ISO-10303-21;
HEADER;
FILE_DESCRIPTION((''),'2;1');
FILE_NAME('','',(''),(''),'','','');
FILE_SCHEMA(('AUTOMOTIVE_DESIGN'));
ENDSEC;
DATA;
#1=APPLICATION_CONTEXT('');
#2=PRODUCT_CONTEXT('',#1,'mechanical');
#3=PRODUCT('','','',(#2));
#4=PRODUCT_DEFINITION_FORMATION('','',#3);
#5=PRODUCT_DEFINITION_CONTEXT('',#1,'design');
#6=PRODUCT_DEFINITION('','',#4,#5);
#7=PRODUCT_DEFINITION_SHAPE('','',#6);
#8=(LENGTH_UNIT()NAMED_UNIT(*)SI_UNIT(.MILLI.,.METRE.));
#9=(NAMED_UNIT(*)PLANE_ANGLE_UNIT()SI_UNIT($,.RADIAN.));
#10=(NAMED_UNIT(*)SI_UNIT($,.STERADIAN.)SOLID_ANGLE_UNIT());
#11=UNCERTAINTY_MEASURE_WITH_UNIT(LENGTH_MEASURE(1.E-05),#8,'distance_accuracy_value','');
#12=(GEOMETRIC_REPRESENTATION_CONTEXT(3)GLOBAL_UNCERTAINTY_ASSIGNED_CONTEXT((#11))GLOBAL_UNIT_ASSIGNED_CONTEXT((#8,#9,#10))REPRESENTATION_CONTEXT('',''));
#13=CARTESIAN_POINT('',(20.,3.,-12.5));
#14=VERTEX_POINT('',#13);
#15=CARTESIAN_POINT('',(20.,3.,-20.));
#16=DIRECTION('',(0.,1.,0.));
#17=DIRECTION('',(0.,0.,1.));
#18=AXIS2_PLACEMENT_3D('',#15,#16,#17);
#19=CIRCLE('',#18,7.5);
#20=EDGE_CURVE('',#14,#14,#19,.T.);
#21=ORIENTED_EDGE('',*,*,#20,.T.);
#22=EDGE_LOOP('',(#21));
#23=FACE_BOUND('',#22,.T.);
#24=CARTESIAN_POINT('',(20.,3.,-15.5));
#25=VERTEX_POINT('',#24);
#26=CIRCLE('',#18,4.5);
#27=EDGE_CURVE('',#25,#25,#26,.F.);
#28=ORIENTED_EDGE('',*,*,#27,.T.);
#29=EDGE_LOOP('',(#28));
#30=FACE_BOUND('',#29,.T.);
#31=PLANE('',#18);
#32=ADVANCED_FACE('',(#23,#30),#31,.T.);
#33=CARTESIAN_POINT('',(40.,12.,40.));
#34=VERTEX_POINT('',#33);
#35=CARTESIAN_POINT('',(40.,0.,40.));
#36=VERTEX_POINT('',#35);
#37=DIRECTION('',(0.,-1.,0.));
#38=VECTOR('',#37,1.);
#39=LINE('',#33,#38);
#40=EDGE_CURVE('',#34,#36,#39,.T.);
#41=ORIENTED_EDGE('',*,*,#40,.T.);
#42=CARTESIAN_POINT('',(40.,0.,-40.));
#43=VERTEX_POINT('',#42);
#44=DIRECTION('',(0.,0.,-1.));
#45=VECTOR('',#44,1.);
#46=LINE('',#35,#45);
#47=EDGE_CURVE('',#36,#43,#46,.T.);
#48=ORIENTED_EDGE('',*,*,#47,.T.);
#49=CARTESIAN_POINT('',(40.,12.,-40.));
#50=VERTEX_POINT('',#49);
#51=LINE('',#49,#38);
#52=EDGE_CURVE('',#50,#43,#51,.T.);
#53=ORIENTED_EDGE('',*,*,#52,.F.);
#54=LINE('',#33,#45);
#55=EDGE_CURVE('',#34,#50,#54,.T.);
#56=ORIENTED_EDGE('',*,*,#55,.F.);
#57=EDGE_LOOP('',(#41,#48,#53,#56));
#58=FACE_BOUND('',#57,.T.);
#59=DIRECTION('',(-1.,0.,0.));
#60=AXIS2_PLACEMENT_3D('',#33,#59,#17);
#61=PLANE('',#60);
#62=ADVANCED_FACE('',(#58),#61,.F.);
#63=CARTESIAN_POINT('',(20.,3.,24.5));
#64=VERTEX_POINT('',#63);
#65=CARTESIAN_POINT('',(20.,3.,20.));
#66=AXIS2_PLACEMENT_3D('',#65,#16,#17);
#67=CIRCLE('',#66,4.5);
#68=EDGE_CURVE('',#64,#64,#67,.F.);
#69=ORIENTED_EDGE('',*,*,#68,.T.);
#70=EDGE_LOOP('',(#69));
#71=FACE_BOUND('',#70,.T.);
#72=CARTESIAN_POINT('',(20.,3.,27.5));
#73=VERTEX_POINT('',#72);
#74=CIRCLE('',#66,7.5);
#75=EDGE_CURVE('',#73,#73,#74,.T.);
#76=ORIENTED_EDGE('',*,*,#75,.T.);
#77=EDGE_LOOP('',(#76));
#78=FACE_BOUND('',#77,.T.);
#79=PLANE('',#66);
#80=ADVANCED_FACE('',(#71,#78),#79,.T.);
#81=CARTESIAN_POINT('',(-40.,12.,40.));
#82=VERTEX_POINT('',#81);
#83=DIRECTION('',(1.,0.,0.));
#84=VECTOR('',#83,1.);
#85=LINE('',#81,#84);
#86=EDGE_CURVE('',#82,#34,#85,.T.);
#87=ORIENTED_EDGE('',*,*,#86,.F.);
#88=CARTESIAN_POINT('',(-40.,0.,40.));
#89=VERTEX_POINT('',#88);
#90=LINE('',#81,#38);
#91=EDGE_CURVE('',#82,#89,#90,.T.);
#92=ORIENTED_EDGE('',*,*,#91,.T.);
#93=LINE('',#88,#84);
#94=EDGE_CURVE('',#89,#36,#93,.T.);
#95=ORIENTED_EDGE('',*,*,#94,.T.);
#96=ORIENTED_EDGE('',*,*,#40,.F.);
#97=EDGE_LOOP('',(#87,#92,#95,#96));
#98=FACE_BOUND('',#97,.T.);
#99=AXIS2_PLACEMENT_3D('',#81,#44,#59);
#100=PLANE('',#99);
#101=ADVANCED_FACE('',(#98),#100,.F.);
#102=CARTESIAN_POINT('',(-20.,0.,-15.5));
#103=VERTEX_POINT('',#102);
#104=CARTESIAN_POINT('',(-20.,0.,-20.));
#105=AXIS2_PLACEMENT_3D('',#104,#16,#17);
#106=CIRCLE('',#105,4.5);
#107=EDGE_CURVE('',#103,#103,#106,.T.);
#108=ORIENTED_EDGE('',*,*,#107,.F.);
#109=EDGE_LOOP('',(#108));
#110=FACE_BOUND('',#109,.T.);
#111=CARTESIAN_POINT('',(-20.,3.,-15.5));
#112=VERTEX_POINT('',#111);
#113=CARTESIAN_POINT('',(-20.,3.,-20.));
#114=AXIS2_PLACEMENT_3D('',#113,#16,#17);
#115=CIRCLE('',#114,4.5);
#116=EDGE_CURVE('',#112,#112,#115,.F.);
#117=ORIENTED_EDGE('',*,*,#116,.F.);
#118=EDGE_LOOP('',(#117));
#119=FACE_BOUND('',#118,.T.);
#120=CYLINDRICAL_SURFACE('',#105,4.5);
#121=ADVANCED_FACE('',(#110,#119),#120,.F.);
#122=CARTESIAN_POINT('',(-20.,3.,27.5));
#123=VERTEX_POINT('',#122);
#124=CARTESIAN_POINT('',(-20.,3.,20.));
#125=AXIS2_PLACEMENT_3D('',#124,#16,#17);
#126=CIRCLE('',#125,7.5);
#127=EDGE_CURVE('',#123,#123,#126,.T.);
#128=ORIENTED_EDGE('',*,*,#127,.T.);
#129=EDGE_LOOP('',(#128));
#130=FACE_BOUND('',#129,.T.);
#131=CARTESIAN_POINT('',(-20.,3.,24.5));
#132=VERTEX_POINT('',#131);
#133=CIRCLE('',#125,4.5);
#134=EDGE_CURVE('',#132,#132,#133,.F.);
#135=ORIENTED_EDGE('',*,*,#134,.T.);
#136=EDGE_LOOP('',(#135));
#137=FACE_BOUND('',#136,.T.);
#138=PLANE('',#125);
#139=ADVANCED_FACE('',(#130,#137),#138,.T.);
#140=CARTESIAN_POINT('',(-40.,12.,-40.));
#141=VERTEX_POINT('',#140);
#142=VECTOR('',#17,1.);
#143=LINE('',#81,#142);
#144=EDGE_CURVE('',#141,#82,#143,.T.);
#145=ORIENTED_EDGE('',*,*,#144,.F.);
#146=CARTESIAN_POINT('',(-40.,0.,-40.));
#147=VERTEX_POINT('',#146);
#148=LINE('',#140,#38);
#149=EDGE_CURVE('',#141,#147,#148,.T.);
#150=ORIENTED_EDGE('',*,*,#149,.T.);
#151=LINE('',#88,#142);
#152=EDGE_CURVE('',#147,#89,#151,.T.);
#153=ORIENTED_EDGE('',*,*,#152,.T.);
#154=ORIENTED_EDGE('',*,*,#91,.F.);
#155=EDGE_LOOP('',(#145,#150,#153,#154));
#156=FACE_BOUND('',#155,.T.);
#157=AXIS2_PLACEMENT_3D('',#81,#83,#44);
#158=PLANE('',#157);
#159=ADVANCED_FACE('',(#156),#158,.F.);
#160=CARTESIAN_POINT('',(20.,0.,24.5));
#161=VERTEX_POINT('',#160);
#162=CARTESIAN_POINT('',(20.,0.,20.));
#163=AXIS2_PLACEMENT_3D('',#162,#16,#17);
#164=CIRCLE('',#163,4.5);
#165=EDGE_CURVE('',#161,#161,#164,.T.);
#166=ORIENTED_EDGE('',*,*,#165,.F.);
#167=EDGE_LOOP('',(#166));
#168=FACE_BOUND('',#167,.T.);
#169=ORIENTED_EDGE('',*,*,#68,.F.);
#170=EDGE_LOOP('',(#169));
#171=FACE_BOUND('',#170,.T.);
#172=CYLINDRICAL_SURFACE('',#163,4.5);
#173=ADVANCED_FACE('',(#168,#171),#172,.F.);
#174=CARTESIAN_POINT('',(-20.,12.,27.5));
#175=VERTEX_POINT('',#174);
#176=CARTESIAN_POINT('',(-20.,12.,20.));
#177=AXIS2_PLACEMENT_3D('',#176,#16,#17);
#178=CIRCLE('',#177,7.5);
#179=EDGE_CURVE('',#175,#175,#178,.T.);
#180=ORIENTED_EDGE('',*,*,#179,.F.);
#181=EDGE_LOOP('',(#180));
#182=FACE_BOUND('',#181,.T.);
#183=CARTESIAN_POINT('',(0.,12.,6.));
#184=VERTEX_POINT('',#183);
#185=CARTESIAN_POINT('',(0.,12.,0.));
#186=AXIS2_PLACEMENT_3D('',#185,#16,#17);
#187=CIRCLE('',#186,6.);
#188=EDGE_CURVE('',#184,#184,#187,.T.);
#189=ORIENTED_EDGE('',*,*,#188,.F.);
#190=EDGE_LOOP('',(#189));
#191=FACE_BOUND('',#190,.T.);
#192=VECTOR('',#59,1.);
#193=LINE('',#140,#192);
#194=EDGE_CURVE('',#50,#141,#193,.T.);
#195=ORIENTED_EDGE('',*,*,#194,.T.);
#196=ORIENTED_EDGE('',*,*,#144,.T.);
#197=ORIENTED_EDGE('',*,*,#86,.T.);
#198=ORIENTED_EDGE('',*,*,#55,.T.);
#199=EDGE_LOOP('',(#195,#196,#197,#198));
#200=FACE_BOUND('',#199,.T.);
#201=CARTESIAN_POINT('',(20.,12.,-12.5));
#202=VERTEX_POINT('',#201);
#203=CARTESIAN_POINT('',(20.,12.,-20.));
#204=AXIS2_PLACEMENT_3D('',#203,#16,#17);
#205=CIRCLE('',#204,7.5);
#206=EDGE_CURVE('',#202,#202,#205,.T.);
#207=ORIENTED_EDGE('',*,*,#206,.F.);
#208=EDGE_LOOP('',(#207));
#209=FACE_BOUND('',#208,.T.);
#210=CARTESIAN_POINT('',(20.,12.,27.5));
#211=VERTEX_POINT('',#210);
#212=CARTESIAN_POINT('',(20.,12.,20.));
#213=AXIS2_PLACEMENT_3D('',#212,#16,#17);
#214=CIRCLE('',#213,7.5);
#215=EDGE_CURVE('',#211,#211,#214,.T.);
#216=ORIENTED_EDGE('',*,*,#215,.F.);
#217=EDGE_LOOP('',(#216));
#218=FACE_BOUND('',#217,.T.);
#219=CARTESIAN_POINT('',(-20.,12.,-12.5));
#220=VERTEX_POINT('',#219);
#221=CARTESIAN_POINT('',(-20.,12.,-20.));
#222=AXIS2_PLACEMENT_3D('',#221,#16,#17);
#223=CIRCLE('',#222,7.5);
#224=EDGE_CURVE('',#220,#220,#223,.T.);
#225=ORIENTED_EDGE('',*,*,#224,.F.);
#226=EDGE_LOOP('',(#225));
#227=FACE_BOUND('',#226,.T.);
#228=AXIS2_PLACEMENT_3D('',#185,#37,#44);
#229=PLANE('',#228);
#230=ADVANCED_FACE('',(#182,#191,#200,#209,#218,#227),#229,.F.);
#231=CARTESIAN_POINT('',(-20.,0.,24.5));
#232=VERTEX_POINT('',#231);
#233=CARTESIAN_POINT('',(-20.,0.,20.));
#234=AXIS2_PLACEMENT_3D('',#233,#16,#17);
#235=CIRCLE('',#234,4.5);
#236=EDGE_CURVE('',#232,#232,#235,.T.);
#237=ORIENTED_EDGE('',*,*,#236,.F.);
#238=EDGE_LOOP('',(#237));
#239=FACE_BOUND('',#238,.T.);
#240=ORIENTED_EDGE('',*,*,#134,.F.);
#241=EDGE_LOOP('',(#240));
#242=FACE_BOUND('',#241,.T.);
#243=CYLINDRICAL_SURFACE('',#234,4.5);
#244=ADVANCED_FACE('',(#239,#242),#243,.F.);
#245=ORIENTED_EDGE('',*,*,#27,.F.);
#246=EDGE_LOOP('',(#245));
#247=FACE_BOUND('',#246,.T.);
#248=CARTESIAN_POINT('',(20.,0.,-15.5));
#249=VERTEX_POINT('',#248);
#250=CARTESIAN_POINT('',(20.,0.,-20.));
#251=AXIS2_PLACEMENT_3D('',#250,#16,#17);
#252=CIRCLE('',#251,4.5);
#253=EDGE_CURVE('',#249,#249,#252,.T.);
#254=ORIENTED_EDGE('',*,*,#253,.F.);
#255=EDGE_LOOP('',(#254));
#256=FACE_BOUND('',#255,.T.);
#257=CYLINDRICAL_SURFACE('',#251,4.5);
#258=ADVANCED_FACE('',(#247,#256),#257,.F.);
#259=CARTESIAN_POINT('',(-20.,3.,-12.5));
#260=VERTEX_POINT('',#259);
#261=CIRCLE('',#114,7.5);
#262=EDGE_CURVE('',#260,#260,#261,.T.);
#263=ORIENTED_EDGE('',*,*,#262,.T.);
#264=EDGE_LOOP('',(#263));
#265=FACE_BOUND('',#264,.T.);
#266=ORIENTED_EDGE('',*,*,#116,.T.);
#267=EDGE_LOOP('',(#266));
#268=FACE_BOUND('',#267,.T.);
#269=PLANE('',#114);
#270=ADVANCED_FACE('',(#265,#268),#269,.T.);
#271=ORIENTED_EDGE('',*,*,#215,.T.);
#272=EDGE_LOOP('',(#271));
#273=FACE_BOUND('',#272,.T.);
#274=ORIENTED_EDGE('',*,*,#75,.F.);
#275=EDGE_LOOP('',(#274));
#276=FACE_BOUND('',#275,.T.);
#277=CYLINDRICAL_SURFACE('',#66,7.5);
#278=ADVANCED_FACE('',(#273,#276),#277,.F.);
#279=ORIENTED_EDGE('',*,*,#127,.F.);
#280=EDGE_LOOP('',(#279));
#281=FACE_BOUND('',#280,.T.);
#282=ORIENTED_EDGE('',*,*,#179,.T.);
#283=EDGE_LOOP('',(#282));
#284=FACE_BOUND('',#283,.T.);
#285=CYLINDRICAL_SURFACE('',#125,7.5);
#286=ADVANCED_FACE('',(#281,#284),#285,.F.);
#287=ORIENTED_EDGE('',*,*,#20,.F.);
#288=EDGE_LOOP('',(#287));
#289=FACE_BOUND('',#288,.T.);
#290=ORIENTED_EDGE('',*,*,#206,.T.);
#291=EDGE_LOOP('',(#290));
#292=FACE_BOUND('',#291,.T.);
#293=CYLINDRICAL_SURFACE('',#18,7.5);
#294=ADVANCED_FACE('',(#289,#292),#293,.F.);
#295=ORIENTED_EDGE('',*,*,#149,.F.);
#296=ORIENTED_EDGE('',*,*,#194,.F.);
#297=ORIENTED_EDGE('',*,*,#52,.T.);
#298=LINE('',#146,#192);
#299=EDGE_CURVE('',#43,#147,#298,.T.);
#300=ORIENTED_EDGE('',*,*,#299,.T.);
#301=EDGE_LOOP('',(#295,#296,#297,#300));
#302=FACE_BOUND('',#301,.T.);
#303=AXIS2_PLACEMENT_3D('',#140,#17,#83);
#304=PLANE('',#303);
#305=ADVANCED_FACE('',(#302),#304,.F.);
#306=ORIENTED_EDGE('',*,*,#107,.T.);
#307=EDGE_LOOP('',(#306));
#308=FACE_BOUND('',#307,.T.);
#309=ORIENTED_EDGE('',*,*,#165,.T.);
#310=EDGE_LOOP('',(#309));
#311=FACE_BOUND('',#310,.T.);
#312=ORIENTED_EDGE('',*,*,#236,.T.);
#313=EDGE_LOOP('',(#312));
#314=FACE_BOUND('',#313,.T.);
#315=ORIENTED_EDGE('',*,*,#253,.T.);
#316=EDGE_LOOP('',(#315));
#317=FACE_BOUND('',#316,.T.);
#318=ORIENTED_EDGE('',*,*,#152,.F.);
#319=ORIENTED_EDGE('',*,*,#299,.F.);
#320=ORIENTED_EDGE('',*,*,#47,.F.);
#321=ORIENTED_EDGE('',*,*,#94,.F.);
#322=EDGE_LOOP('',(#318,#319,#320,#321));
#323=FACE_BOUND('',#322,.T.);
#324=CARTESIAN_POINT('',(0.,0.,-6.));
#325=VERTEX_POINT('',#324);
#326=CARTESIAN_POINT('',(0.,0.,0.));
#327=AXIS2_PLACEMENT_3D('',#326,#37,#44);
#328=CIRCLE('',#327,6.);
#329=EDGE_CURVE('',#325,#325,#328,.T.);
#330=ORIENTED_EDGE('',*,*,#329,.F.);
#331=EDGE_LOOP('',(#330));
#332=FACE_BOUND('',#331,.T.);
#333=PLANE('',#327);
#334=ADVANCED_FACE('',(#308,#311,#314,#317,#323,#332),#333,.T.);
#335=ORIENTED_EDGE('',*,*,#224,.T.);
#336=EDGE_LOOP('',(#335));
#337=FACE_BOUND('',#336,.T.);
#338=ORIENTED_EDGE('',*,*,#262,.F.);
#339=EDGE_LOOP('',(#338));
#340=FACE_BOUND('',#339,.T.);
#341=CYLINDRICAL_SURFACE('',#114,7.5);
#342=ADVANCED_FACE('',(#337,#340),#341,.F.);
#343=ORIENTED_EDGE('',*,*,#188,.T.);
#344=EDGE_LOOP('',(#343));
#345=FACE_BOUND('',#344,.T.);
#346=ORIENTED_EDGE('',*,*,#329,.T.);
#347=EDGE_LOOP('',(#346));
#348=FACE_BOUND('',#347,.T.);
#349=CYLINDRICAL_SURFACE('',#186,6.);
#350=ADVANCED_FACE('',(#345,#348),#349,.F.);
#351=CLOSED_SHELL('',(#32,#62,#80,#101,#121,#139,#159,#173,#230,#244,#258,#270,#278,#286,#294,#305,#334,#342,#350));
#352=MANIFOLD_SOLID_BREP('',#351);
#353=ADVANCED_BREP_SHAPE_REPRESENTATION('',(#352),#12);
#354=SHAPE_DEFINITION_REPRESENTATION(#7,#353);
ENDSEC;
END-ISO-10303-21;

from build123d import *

# Parameters (mm, degrees)
SKETCH_1_W             = 80
SKETCH_1_H             = 80
EXTRUDE_1_DEPTH        = 12
HOLE_WIZARD_M141_D     = 12
HOLE_WIZARD_M141_DEPTH = 12
SKETCH_12_R            = 4.5
CUT_EXTRUDE_1_DEPTH    = 13
SKETCH_13_R            = 7.5
CUT_EXTRUDE_2_DEPTH    = 9


with BuildPart() as part:
    # Эскиз1 → Бобышка-Вытянуть1 (new body)
    with BuildSketch(Plane(origin=(0, 0, 0), x_dir=(1, 0, 0), z_dir=(0, 1, 0))):
        Rectangle(SKETCH_1_W, SKETCH_1_H)
    extrude(amount=EXTRUDE_1_DEPTH)

    # Отверстие обработанное метчиком M141
    with Locations(Plane(origin=(0, 12, 0), x_dir=(1, 0, 0), z_dir=(0, 1, 0))):
        with Locations((0, 0)):
            Hole(HOLE_WIZARD_M141_D / 2, depth=HOLE_WIZARD_M141_DEPTH)

    # Эскиз12 → Вырез-Вытянуть1 (cut, through all)
    with BuildSketch(Plane(origin=(0, 12, 0), x_dir=(1, 0, 0), z_dir=(0, 1, 0))):
        with Locations(Location((-20, 20, 0), (0, 0, 270))):  # turned: the seam where the file's is
            Circle(SKETCH_12_R)
        with Locations(Location((20, 20, 0), (0, 0, 270))):  # turned: the seam where the file's is
            Circle(SKETCH_12_R)
        with Locations(Location((20, -20, 0), (0, 0, 270))):  # turned: the seam where the file's is
            Circle(SKETCH_12_R)
        with Locations(Location((-20, -20, 0), (0, 0, 270))):  # turned: the seam where the file's is
            Circle(SKETCH_12_R)
    extrude(amount=-CUT_EXTRUDE_1_DEPTH, mode=Mode.SUBTRACT)

    # Эскиз13 → Вырез-Вытянуть2 (cut)
    with BuildSketch(Plane(origin=(0, 12, 0), x_dir=(1, 0, 0), z_dir=(0, 1, 0))):
        with Locations(Location((-20, 20, 0), (0, 0, 270))):  # turned: the seam where the file's is
            Circle(SKETCH_13_R)
        with Locations(Location((20, 20, 0), (0, 0, 270))):  # turned: the seam where the file's is
            Circle(SKETCH_13_R)
        with Locations(Location((20, -20, 0), (0, 0, 270))):  # turned: the seam where the file's is
            Circle(SKETCH_13_R)
        with Locations(Location((-20, -20, 0), (0, 0, 270))):  # turned: the seam where the file's is
            Circle(SKETCH_13_R)
    extrude(amount=-CUT_EXTRUDE_2_DEPTH, mode=Mode.SUBTRACT)


solid = part.part
